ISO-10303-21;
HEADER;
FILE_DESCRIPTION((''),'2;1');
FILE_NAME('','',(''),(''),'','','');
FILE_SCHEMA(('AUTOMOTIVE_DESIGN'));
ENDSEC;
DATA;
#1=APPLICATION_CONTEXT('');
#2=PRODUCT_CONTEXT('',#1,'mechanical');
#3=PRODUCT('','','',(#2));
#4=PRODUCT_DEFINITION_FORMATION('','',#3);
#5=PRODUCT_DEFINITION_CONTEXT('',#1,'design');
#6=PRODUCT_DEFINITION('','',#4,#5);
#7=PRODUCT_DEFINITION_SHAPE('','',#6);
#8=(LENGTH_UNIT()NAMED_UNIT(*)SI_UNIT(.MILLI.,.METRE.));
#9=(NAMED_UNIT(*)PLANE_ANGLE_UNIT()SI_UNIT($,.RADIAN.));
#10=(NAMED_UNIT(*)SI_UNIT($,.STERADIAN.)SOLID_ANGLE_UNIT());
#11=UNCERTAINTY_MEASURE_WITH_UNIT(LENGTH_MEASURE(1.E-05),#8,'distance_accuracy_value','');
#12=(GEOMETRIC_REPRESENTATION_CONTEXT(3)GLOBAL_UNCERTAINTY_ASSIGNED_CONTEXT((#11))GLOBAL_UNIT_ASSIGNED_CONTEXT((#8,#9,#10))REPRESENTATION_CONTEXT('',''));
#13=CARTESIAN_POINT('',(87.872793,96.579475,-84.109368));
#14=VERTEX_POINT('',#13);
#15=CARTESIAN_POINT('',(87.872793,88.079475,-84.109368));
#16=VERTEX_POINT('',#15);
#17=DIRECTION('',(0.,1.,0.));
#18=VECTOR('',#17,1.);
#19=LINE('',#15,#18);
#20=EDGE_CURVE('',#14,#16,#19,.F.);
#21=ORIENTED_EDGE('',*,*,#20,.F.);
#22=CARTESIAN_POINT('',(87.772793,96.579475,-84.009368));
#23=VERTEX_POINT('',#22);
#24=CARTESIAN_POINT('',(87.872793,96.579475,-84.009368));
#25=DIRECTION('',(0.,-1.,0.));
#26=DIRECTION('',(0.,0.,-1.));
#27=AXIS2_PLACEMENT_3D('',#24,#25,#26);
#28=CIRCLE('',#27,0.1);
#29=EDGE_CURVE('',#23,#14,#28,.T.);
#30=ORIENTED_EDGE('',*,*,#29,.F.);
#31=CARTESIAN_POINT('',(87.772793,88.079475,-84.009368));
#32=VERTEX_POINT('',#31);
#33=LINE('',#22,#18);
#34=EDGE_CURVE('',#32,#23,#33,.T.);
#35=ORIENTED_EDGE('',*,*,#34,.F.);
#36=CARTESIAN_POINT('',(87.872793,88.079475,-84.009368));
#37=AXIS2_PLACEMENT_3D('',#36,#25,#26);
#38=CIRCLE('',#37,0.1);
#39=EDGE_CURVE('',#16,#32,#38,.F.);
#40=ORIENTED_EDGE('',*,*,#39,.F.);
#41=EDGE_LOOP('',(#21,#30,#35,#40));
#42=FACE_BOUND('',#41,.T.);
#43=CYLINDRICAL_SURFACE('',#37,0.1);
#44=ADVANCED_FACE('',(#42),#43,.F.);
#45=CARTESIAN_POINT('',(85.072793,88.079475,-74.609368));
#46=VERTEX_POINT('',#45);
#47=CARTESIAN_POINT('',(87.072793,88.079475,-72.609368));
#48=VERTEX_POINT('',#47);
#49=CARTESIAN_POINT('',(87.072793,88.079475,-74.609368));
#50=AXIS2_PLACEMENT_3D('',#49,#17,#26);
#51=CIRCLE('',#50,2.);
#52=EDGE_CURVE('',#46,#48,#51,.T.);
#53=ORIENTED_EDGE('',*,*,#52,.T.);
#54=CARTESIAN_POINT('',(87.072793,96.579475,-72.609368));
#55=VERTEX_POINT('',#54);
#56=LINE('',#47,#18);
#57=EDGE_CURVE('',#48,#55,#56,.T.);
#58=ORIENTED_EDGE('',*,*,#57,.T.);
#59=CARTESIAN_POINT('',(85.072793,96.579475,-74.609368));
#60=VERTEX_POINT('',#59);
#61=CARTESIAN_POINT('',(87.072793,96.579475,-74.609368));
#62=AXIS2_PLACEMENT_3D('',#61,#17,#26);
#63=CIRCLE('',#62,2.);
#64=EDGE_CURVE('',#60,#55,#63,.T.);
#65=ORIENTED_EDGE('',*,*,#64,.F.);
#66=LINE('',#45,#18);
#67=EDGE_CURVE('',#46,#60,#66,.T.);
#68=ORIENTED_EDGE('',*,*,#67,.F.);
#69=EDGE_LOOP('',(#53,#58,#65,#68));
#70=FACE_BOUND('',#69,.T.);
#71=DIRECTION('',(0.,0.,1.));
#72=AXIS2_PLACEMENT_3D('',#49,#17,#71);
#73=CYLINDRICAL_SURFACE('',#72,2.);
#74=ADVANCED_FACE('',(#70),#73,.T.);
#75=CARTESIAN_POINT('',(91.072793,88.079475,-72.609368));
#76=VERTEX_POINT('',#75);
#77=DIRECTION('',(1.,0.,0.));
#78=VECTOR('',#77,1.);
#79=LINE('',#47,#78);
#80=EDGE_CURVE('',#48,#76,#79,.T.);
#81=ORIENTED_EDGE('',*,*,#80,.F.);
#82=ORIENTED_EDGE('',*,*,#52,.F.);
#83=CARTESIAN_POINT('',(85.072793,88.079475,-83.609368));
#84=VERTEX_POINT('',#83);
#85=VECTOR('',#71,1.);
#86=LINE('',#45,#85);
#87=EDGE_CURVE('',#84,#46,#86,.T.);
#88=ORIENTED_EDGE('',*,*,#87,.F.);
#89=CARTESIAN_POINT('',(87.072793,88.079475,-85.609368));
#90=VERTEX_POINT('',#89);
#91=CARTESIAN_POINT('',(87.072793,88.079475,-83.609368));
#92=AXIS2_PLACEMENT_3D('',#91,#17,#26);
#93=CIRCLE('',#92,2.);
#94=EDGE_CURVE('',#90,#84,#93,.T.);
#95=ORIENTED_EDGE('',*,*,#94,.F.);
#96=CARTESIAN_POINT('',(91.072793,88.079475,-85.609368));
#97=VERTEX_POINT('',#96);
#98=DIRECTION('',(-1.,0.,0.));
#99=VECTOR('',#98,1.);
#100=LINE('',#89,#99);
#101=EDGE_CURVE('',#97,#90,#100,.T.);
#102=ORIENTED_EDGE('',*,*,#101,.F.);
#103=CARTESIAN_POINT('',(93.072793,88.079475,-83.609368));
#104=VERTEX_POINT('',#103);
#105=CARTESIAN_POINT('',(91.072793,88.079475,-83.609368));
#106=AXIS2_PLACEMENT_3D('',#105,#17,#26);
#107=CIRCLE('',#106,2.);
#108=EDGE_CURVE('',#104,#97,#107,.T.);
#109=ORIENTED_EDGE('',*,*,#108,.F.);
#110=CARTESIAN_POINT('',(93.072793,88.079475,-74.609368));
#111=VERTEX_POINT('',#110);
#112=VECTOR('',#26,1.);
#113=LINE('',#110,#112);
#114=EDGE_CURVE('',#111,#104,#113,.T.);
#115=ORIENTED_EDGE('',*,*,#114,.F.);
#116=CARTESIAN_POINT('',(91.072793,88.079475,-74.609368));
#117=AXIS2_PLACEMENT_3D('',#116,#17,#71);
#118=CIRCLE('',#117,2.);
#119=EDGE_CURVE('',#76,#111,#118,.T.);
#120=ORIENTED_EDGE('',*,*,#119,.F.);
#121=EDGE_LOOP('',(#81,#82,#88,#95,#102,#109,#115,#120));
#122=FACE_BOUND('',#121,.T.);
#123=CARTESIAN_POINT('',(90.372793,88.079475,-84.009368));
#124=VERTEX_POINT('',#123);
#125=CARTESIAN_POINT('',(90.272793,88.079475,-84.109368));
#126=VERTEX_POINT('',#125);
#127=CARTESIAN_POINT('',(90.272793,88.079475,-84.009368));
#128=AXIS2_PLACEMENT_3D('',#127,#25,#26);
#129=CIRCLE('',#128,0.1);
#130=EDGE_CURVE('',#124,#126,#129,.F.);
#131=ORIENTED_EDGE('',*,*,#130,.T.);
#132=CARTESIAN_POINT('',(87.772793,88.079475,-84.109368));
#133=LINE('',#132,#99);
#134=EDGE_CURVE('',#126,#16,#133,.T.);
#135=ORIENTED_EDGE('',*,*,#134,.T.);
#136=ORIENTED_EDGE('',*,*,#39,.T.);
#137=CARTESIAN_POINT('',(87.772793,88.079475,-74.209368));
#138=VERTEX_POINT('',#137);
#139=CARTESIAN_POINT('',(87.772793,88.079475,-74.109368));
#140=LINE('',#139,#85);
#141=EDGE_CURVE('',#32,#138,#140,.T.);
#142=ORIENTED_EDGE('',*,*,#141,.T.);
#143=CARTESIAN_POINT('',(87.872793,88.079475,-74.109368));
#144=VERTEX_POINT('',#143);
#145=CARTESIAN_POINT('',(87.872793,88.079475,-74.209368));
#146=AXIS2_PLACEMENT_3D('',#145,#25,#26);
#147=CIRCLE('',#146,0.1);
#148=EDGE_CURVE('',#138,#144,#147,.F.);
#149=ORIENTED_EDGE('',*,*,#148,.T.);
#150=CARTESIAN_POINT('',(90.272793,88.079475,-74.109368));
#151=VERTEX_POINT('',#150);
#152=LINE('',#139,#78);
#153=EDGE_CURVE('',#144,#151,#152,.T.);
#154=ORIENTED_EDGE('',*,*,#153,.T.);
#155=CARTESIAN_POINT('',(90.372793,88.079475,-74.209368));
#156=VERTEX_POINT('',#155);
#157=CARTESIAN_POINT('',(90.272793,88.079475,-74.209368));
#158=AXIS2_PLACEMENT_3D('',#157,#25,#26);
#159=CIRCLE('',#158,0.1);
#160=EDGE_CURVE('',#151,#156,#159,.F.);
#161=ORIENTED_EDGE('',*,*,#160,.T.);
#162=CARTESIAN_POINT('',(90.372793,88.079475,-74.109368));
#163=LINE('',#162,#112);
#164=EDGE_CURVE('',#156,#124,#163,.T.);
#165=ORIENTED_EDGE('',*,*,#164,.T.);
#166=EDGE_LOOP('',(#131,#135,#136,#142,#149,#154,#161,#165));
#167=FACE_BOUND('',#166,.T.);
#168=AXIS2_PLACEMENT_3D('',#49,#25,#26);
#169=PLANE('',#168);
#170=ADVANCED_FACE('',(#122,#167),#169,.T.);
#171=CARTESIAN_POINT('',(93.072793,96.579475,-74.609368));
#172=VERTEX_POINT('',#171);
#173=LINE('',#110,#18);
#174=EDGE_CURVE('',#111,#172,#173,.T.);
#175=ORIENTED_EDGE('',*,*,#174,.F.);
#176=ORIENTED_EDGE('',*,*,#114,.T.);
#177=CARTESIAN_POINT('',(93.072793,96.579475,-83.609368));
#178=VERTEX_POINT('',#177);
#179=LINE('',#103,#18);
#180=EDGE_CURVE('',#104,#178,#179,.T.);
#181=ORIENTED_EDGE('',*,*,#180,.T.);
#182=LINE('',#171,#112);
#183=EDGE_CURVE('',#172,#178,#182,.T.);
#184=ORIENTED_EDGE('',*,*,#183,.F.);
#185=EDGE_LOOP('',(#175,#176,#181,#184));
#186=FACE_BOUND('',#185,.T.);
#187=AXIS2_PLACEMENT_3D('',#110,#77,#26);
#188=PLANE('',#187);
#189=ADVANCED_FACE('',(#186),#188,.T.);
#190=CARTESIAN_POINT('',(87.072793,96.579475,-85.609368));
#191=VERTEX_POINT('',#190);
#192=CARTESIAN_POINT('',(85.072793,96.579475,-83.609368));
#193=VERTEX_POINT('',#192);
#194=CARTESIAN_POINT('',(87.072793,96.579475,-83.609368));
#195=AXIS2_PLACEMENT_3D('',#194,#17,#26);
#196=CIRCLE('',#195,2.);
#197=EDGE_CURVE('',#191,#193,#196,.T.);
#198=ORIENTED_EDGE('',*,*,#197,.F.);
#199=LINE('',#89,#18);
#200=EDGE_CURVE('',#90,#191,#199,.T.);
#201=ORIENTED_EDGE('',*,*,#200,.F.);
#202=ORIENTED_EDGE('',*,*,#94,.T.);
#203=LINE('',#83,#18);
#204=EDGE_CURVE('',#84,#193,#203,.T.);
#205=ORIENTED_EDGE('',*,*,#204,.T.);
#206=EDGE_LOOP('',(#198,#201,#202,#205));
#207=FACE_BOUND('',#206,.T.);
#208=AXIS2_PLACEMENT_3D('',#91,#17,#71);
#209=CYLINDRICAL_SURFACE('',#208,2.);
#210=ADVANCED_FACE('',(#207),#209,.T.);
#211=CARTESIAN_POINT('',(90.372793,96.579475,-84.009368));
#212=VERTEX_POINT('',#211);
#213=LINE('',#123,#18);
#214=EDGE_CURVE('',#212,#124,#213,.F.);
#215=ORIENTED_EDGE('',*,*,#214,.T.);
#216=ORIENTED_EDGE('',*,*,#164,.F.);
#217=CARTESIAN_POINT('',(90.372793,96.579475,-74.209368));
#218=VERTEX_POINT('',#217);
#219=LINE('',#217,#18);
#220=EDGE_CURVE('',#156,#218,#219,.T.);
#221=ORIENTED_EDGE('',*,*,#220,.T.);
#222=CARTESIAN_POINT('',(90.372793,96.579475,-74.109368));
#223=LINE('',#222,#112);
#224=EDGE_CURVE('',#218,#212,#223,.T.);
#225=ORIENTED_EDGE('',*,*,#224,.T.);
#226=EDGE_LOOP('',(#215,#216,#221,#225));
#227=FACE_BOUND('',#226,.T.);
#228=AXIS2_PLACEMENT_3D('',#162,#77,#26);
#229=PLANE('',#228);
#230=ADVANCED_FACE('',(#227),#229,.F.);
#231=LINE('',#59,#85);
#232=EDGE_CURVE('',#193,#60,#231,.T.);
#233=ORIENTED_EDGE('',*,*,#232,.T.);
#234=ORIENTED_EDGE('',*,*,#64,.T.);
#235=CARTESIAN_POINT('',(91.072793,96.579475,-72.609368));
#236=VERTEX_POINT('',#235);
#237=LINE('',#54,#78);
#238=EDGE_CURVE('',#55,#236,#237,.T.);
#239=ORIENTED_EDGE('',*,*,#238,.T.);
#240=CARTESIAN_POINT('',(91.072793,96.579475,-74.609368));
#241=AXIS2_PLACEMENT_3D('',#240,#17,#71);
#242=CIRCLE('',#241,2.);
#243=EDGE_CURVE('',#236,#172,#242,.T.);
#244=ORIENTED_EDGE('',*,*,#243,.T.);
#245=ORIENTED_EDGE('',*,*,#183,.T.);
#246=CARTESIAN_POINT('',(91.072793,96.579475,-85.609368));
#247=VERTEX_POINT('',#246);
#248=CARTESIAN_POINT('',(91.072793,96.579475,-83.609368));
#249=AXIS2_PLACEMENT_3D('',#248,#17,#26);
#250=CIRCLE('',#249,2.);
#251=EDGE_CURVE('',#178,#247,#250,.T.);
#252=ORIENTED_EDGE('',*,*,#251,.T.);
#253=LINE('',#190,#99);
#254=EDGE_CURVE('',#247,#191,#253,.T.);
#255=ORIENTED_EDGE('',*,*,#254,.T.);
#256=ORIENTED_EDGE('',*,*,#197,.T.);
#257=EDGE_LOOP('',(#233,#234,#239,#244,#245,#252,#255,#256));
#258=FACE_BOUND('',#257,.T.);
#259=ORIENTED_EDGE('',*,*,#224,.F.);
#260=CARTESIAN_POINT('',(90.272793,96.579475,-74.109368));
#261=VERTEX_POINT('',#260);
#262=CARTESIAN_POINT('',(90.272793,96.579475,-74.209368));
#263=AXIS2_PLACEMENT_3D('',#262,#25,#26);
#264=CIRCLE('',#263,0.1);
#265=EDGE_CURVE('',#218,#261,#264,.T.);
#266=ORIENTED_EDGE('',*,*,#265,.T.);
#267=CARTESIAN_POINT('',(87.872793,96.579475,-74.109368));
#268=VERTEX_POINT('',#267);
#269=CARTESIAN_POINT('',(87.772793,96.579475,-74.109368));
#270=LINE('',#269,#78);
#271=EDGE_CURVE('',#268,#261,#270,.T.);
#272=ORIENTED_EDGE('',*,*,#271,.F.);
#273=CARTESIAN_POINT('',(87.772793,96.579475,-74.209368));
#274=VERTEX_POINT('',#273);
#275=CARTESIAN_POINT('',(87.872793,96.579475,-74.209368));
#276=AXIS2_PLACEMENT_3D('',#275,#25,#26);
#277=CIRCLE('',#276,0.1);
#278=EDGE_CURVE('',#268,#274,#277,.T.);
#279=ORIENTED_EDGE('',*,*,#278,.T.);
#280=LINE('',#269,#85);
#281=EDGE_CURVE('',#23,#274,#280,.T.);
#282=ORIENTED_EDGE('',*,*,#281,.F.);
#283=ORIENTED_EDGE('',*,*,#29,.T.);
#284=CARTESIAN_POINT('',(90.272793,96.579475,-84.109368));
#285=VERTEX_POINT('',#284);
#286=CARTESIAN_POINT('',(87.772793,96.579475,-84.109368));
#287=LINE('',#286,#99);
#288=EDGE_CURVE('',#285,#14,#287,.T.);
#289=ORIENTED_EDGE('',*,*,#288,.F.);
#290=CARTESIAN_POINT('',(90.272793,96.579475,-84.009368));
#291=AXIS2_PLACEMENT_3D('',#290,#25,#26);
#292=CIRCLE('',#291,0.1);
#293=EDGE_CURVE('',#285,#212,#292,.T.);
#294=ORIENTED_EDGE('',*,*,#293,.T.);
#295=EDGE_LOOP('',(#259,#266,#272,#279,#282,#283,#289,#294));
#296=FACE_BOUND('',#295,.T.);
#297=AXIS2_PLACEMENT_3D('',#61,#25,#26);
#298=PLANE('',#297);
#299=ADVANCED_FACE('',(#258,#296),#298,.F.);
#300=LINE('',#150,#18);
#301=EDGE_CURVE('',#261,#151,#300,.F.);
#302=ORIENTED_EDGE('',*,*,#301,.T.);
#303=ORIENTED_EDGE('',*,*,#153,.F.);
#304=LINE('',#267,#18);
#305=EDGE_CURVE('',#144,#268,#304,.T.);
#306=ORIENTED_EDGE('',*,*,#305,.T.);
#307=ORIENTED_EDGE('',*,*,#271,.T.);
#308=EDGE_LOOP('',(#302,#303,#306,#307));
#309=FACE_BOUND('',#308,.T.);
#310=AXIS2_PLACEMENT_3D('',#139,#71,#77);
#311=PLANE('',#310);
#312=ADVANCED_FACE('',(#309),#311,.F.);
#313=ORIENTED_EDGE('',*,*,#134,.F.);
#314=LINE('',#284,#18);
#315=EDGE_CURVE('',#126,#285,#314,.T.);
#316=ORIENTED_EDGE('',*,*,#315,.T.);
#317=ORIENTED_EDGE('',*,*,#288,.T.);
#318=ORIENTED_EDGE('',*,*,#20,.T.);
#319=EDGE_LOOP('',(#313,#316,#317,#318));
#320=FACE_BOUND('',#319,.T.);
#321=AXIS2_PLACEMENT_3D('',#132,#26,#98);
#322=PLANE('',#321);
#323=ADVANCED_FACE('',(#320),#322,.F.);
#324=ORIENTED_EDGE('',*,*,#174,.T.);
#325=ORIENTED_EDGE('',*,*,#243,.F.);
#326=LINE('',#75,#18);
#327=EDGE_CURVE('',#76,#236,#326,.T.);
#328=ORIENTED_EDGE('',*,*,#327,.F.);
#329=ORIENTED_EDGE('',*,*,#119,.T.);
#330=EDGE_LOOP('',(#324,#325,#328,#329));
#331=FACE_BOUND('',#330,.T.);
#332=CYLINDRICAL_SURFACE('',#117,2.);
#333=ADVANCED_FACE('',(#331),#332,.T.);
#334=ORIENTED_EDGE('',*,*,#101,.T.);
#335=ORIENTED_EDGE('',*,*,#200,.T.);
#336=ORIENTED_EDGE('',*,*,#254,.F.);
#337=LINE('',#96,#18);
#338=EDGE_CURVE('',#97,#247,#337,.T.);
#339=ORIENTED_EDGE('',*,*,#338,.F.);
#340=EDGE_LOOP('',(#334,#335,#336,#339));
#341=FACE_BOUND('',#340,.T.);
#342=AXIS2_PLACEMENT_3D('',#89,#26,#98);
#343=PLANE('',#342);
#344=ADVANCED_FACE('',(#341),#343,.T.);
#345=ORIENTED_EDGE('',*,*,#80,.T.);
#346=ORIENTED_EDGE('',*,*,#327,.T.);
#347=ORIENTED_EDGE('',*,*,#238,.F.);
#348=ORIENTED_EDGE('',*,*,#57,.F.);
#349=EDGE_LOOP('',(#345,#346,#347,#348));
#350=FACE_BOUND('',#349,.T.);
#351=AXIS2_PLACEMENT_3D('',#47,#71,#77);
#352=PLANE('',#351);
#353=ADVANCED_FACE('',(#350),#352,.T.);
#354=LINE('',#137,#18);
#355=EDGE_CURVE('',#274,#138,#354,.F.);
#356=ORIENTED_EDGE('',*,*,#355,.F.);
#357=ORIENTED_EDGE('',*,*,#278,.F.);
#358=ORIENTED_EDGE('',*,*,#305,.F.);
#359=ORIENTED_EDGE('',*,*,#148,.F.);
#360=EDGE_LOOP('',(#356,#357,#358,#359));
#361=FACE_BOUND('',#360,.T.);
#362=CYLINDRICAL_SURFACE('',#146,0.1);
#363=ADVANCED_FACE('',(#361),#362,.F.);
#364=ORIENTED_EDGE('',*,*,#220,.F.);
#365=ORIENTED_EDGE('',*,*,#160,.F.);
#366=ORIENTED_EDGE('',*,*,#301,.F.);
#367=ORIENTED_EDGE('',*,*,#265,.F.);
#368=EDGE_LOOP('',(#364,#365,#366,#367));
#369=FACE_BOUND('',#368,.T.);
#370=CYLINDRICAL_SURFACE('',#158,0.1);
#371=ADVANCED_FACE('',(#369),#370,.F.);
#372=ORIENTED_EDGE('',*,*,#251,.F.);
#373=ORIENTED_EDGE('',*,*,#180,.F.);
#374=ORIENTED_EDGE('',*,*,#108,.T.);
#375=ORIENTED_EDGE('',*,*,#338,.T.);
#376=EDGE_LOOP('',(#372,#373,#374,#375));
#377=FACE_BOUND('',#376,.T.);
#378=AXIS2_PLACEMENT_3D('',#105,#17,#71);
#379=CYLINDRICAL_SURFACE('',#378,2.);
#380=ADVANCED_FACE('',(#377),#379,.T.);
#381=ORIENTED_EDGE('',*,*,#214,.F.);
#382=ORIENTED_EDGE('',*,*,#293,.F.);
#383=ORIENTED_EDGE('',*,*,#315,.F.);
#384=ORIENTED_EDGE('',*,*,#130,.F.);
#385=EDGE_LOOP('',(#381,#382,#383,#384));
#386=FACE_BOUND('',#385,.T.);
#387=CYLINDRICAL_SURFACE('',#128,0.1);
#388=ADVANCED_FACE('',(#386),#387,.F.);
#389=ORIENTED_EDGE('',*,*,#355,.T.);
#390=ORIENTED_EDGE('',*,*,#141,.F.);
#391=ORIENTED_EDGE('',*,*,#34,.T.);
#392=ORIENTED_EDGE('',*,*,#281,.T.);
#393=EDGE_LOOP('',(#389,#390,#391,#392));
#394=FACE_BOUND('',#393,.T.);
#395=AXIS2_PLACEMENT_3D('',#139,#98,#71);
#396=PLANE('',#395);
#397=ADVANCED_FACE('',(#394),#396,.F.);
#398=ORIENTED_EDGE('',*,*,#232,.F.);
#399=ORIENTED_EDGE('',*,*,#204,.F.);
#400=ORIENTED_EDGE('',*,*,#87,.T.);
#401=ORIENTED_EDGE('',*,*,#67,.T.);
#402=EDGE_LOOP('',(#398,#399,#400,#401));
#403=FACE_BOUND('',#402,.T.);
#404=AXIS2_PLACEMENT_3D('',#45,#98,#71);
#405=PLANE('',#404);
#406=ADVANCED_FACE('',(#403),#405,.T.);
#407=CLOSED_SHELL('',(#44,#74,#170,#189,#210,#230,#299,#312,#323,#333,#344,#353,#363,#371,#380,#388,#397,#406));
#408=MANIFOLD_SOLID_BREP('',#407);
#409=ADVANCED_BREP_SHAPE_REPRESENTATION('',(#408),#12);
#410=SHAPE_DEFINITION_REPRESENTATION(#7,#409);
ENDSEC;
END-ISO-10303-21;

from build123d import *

# Parameters (mm, degrees)
COIL_START = -0.7
SKETCH1_W  = 2.6
SKETCH1_H  = 10
COIL_DEPTH = 8.5
FILLET1_R  = 0.1


with BuildPart() as part:
    # Sketch1 → Coil (new body)
    with BuildSketch(Plane(origin=(0, 97.279475289, 0), x_dir=(1, 0, 0), z_dir=(0, 1, 0)).offset(COIL_START)):
        with BuildLine():
            Line((87.072792821, 72.609367759), (91.072792821, 72.609367759))
            ThreePointArc((91.072792821, 72.609367759), (92.487006384, 73.195154196), (93.072792821, 74.609367759))
            Line((93.072792821, 74.609367759), (93.072792821, 83.609367759))
            ThreePointArc((93.072792821, 83.609367759), (92.487006384, 85.023581321), (91.072792821, 85.609367759))
            Line((91.072792821, 85.609367759), (87.072792821, 85.609367759))
            ThreePointArc((87.072792821, 85.609367759), (85.658579259, 85.023581321), (85.072792821, 83.609367759))
            Line((85.072792821, 83.609367759), (85.072792821, 74.609367759))
            ThreePointArc((85.072792821, 74.609367759), (85.658579259, 73.195154196), (87.072792821, 72.609367759))
        make_face()
        with Locations((89.072792821, 79.109367759)):
            Rectangle(SKETCH1_W, SKETCH1_H, mode=Mode.SUBTRACT)
    extrude(amount=-COIL_DEPTH)

    # Fillet1
    fillet1_edges = [part.edges().sort_by_distance(p)[0] for p in [
        (90.372792821, 92.329475289, -84.109367759),
        (90.372792821, 92.329475289, -74.109367759),
        (87.772792821, 92.329475289, -74.109367759),
        (87.772792821, 92.329475289, -84.109367759),
    ]]
    fillet(fillet1_edges, radius=FILLET1_R)


solid = part.part
